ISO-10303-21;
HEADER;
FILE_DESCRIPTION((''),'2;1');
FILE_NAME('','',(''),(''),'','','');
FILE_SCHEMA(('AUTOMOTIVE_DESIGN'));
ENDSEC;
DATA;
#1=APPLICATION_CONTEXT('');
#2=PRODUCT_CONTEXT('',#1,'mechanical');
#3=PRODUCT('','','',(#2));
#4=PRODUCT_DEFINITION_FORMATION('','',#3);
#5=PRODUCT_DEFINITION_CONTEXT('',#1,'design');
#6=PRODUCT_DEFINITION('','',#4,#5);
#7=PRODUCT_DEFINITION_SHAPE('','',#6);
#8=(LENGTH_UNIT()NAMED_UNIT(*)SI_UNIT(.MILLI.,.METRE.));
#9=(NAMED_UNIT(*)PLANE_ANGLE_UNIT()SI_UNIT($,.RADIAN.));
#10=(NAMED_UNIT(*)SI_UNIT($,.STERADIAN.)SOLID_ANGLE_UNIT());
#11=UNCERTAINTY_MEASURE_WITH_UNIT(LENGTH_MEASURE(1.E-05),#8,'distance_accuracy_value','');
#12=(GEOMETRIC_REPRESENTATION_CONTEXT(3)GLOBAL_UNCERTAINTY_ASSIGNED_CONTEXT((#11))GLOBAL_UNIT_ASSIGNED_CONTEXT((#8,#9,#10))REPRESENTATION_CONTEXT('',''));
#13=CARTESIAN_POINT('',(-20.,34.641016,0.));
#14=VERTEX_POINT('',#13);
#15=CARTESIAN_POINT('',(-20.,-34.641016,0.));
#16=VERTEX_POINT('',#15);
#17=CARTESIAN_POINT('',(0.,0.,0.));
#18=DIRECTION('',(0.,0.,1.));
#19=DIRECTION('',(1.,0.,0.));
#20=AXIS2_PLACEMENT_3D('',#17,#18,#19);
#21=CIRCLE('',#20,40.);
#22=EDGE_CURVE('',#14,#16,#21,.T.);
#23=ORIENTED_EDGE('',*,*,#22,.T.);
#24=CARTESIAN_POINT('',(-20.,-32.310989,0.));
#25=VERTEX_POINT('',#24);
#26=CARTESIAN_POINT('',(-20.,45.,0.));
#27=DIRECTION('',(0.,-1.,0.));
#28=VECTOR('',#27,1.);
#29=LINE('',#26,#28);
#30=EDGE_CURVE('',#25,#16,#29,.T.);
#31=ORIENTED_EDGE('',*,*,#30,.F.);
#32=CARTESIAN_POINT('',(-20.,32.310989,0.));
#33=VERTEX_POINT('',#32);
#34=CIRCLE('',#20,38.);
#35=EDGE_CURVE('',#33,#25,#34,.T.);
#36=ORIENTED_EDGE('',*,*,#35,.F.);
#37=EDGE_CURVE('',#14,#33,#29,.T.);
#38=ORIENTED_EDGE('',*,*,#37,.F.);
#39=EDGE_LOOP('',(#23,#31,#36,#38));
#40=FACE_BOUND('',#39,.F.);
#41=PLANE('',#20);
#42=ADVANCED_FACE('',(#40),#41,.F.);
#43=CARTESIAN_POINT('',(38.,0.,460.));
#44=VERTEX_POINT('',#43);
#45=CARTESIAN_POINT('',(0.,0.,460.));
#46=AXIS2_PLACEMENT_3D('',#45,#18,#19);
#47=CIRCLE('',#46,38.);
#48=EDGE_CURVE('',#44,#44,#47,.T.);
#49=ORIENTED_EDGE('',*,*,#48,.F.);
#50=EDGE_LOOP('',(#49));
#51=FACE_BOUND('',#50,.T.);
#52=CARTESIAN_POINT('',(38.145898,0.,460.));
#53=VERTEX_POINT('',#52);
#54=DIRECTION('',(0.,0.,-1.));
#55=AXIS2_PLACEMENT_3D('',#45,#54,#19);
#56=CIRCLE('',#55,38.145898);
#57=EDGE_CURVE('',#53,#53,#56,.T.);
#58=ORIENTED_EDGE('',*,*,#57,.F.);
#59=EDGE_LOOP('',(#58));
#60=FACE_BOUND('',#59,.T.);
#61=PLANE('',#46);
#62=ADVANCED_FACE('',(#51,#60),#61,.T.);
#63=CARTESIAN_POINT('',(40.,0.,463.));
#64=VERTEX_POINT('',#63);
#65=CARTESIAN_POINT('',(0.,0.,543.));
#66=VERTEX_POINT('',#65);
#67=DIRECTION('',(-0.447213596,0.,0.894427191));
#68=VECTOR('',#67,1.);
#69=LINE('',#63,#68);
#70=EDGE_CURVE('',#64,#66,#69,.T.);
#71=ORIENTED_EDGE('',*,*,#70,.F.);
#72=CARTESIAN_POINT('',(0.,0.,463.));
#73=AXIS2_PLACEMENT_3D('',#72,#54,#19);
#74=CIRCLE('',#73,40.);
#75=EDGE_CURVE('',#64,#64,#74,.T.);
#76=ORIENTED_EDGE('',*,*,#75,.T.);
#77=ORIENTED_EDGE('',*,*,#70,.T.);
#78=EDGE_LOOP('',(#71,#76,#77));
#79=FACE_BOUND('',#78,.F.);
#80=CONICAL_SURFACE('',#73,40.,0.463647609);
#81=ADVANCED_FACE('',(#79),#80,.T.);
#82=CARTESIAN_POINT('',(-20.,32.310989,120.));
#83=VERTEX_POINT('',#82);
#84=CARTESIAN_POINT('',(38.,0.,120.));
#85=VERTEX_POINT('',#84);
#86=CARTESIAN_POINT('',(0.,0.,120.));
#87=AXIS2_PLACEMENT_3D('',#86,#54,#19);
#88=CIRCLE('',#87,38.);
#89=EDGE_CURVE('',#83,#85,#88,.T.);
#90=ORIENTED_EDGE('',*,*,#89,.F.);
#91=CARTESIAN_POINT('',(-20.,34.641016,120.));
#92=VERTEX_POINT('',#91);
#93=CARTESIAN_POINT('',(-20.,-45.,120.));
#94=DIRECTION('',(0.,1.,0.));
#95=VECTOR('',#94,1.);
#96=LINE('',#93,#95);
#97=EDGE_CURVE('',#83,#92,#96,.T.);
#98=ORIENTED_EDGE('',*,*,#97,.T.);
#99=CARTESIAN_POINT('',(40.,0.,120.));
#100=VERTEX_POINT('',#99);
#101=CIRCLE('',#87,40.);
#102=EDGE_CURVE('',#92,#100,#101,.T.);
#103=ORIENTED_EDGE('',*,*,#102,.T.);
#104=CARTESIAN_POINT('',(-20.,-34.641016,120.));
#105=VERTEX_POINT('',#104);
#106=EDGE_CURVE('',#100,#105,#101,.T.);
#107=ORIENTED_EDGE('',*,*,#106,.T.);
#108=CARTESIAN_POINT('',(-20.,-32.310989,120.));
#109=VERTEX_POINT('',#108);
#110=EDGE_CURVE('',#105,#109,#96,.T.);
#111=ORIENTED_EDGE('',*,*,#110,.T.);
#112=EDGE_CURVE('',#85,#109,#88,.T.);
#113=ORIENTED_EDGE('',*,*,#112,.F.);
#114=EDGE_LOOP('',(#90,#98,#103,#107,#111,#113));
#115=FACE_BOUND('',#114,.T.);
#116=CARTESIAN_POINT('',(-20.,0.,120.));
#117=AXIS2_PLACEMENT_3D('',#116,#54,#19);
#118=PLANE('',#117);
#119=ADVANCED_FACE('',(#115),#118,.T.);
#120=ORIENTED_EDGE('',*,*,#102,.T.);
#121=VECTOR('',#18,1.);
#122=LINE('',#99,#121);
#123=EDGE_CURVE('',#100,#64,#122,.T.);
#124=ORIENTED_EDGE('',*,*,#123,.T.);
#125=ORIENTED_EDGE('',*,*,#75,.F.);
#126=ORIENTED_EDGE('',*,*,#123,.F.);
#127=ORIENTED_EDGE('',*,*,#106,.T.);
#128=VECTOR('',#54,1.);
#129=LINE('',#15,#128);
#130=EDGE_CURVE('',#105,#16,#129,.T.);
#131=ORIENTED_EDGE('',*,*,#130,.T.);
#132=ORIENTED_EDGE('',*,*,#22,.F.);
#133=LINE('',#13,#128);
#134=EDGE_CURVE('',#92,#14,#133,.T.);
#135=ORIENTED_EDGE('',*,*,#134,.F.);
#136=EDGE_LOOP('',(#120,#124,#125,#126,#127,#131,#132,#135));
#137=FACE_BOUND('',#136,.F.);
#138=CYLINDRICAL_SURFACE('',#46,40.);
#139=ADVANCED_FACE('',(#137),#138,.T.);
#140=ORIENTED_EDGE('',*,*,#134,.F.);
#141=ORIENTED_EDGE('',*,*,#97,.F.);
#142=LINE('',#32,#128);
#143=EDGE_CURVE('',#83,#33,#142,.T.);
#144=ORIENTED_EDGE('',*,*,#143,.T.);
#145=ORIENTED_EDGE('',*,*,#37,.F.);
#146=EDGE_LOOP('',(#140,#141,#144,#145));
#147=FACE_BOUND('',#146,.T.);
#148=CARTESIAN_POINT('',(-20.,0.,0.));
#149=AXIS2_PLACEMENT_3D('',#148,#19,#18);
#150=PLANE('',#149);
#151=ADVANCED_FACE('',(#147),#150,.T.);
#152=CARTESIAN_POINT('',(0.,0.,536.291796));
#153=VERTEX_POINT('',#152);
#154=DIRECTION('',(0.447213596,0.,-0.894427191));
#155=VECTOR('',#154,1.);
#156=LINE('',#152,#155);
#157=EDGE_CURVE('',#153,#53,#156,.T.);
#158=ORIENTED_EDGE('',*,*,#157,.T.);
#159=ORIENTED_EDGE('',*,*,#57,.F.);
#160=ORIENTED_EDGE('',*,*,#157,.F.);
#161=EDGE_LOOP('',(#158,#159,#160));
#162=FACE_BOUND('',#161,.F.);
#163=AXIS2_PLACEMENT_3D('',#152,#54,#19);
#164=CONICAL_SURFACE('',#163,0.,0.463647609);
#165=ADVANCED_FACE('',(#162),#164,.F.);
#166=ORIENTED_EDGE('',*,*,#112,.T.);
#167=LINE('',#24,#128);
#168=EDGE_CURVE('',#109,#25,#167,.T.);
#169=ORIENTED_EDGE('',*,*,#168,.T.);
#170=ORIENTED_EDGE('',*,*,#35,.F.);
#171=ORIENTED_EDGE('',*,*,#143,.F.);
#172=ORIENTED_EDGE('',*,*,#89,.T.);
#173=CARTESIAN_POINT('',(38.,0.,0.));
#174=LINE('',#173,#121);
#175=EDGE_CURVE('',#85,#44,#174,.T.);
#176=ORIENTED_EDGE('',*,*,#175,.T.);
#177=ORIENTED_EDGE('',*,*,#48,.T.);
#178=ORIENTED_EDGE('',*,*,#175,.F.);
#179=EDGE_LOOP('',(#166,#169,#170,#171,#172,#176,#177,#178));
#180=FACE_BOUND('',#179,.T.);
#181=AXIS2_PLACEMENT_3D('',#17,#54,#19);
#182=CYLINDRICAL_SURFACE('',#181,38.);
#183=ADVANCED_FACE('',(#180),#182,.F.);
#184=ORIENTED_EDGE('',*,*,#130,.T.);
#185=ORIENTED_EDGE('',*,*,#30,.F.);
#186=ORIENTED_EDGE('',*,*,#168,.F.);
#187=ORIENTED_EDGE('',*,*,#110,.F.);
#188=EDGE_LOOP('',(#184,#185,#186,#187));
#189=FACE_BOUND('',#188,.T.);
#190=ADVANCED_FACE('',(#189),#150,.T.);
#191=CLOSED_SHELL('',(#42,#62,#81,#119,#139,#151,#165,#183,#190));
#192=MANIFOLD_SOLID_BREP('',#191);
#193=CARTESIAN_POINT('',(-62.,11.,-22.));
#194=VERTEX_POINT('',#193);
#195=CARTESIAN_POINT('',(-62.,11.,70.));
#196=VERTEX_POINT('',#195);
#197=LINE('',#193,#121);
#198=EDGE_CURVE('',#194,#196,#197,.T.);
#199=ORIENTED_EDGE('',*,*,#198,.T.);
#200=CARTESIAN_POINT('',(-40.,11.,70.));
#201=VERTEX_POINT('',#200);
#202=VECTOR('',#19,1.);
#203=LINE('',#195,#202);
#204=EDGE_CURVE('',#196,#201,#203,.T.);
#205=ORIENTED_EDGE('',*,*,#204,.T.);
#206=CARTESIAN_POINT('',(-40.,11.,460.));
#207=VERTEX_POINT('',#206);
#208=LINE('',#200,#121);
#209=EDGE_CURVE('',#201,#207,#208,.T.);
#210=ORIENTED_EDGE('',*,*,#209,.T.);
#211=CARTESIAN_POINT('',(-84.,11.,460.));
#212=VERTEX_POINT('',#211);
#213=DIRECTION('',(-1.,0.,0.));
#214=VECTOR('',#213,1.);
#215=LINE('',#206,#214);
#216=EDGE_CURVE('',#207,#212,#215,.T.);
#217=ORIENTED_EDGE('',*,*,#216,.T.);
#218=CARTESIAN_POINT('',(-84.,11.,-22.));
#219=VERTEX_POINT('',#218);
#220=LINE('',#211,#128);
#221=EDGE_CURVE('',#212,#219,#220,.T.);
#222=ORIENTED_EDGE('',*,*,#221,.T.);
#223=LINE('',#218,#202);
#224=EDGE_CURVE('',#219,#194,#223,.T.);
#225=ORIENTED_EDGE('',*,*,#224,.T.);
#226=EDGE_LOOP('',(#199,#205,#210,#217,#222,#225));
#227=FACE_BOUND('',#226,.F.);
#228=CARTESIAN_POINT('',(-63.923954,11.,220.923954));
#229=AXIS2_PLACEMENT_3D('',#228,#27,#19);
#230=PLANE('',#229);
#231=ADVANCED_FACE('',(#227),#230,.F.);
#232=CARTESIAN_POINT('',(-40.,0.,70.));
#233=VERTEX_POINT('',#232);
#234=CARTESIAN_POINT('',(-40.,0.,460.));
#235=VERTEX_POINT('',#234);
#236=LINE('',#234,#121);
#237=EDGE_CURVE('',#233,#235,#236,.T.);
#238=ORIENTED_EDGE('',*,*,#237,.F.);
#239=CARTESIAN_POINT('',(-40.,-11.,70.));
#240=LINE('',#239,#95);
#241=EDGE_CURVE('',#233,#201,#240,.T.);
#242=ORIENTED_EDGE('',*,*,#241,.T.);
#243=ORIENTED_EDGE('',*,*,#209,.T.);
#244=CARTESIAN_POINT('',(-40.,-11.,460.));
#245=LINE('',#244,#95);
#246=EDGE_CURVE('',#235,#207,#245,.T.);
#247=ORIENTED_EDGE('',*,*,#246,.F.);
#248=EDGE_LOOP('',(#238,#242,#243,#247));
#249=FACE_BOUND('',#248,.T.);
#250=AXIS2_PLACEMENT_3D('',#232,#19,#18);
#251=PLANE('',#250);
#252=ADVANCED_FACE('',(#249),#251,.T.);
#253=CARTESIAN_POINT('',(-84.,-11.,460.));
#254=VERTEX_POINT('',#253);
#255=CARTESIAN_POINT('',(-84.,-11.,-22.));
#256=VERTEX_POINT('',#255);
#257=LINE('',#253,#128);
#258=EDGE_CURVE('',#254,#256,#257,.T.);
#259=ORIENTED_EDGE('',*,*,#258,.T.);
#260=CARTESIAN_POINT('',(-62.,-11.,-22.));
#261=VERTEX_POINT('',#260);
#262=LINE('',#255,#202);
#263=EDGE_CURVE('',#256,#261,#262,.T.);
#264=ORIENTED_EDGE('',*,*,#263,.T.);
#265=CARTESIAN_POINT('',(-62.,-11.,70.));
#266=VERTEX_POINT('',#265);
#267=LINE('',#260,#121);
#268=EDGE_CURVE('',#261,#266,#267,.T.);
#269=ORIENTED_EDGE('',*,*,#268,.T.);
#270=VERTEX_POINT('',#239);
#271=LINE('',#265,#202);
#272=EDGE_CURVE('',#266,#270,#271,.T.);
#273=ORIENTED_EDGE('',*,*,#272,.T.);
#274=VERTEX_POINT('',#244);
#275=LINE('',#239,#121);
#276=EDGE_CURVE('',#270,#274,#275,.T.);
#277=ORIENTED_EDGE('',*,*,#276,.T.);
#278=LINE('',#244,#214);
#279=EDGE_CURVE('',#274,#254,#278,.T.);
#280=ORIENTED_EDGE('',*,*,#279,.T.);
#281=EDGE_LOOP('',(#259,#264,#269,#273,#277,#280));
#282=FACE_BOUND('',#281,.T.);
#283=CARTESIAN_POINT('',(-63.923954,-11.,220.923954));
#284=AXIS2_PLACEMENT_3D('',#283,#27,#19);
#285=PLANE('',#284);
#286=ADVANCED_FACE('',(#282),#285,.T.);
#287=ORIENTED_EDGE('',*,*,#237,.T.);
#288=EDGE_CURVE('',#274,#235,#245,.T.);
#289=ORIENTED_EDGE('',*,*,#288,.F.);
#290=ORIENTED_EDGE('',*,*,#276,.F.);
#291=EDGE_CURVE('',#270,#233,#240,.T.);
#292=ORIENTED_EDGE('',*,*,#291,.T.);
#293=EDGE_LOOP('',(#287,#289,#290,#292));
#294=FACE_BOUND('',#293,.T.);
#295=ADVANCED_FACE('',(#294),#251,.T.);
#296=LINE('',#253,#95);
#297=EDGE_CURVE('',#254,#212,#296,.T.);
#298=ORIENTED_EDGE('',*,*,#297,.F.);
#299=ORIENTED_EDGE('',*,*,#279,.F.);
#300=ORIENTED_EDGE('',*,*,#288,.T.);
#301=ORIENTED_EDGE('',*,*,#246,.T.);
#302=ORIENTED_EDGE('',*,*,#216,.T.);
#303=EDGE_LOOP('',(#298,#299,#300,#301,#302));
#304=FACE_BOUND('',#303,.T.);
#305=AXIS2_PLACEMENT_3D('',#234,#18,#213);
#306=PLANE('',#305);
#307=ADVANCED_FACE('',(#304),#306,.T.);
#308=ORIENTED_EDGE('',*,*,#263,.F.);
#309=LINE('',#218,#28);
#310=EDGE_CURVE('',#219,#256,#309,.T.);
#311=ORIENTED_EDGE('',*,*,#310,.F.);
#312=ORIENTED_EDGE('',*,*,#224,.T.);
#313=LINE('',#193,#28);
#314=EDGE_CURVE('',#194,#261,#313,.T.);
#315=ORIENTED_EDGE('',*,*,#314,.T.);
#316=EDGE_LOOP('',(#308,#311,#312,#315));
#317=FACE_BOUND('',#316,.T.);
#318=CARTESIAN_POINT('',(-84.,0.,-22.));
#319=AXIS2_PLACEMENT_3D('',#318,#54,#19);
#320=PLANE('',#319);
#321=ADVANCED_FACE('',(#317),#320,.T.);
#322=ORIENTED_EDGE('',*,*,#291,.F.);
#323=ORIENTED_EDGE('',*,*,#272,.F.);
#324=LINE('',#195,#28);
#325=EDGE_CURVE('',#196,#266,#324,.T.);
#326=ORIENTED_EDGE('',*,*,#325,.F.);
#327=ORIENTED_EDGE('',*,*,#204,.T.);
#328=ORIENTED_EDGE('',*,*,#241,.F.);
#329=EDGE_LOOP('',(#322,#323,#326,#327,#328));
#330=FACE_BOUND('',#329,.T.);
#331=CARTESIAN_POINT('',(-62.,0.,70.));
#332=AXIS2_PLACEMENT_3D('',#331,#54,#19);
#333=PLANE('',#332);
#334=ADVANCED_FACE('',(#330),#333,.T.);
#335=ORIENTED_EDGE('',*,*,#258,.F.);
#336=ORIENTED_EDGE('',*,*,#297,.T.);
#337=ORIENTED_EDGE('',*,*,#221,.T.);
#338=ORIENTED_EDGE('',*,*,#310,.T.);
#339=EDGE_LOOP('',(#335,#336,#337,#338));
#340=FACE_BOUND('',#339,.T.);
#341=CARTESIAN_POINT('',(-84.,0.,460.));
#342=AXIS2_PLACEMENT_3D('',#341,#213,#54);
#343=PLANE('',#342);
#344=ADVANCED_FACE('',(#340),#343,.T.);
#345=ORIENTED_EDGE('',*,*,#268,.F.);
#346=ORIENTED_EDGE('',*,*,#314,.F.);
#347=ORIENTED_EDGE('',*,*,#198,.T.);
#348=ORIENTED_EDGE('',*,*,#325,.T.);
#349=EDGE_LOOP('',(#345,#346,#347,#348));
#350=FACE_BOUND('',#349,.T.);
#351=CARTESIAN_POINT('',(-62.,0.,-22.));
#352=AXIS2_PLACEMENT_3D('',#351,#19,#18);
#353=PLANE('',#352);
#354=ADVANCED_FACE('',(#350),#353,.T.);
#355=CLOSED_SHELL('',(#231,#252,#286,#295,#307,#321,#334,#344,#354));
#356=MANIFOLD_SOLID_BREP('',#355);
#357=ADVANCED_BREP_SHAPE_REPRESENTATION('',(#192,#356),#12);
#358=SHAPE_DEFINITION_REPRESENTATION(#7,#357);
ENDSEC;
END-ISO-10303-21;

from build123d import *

# Parameters (mm, degrees)
F0_R     = 40
F0_R_2   = 38
F1_DEPTH = 460
F2_W     = 60
F2_H     = 120
F3_DEPTH = 45
F7_DEPTH = 11


with BuildPart() as f1:
    # F0 (on Top) → F1 (new body)
    with BuildSketch(Plane.XY):
        Circle(F0_R)
        Circle(F0_R_2, mode=Mode.SUBTRACT)
    extrude(amount=F1_DEPTH)

    # F2 (on Front) → F3 (cut, symmetric)
    with BuildSketch(Plane.XZ):
        with Locations((10, 60)):
            Rectangle(F2_W, F2_H)
    extrude(amount=F3_DEPTH, both=True, mode=Mode.SUBTRACT)

    # F4 (on Front) → F5 (revolve)
    with BuildSketch(Plane.XZ):
        Polygon((40, 463), (0, 543), (0, 536.291796), (38.145898, 460), (40, 460), align=None)
    revolve(axis=Axis((0, 0, 539.645898), (0, 0, -1)))

    # F6 (on Front) → F7 (join, symmetric)
    with BuildSketch(Plane.XZ):
        Polygon((-84, 460), (-84, -22), (-62, -22), (-62, 70), (-40, 70), (-40, 460), align=None)
    extrude(amount=F7_DEPTH, both=True)


solid = f1.part
